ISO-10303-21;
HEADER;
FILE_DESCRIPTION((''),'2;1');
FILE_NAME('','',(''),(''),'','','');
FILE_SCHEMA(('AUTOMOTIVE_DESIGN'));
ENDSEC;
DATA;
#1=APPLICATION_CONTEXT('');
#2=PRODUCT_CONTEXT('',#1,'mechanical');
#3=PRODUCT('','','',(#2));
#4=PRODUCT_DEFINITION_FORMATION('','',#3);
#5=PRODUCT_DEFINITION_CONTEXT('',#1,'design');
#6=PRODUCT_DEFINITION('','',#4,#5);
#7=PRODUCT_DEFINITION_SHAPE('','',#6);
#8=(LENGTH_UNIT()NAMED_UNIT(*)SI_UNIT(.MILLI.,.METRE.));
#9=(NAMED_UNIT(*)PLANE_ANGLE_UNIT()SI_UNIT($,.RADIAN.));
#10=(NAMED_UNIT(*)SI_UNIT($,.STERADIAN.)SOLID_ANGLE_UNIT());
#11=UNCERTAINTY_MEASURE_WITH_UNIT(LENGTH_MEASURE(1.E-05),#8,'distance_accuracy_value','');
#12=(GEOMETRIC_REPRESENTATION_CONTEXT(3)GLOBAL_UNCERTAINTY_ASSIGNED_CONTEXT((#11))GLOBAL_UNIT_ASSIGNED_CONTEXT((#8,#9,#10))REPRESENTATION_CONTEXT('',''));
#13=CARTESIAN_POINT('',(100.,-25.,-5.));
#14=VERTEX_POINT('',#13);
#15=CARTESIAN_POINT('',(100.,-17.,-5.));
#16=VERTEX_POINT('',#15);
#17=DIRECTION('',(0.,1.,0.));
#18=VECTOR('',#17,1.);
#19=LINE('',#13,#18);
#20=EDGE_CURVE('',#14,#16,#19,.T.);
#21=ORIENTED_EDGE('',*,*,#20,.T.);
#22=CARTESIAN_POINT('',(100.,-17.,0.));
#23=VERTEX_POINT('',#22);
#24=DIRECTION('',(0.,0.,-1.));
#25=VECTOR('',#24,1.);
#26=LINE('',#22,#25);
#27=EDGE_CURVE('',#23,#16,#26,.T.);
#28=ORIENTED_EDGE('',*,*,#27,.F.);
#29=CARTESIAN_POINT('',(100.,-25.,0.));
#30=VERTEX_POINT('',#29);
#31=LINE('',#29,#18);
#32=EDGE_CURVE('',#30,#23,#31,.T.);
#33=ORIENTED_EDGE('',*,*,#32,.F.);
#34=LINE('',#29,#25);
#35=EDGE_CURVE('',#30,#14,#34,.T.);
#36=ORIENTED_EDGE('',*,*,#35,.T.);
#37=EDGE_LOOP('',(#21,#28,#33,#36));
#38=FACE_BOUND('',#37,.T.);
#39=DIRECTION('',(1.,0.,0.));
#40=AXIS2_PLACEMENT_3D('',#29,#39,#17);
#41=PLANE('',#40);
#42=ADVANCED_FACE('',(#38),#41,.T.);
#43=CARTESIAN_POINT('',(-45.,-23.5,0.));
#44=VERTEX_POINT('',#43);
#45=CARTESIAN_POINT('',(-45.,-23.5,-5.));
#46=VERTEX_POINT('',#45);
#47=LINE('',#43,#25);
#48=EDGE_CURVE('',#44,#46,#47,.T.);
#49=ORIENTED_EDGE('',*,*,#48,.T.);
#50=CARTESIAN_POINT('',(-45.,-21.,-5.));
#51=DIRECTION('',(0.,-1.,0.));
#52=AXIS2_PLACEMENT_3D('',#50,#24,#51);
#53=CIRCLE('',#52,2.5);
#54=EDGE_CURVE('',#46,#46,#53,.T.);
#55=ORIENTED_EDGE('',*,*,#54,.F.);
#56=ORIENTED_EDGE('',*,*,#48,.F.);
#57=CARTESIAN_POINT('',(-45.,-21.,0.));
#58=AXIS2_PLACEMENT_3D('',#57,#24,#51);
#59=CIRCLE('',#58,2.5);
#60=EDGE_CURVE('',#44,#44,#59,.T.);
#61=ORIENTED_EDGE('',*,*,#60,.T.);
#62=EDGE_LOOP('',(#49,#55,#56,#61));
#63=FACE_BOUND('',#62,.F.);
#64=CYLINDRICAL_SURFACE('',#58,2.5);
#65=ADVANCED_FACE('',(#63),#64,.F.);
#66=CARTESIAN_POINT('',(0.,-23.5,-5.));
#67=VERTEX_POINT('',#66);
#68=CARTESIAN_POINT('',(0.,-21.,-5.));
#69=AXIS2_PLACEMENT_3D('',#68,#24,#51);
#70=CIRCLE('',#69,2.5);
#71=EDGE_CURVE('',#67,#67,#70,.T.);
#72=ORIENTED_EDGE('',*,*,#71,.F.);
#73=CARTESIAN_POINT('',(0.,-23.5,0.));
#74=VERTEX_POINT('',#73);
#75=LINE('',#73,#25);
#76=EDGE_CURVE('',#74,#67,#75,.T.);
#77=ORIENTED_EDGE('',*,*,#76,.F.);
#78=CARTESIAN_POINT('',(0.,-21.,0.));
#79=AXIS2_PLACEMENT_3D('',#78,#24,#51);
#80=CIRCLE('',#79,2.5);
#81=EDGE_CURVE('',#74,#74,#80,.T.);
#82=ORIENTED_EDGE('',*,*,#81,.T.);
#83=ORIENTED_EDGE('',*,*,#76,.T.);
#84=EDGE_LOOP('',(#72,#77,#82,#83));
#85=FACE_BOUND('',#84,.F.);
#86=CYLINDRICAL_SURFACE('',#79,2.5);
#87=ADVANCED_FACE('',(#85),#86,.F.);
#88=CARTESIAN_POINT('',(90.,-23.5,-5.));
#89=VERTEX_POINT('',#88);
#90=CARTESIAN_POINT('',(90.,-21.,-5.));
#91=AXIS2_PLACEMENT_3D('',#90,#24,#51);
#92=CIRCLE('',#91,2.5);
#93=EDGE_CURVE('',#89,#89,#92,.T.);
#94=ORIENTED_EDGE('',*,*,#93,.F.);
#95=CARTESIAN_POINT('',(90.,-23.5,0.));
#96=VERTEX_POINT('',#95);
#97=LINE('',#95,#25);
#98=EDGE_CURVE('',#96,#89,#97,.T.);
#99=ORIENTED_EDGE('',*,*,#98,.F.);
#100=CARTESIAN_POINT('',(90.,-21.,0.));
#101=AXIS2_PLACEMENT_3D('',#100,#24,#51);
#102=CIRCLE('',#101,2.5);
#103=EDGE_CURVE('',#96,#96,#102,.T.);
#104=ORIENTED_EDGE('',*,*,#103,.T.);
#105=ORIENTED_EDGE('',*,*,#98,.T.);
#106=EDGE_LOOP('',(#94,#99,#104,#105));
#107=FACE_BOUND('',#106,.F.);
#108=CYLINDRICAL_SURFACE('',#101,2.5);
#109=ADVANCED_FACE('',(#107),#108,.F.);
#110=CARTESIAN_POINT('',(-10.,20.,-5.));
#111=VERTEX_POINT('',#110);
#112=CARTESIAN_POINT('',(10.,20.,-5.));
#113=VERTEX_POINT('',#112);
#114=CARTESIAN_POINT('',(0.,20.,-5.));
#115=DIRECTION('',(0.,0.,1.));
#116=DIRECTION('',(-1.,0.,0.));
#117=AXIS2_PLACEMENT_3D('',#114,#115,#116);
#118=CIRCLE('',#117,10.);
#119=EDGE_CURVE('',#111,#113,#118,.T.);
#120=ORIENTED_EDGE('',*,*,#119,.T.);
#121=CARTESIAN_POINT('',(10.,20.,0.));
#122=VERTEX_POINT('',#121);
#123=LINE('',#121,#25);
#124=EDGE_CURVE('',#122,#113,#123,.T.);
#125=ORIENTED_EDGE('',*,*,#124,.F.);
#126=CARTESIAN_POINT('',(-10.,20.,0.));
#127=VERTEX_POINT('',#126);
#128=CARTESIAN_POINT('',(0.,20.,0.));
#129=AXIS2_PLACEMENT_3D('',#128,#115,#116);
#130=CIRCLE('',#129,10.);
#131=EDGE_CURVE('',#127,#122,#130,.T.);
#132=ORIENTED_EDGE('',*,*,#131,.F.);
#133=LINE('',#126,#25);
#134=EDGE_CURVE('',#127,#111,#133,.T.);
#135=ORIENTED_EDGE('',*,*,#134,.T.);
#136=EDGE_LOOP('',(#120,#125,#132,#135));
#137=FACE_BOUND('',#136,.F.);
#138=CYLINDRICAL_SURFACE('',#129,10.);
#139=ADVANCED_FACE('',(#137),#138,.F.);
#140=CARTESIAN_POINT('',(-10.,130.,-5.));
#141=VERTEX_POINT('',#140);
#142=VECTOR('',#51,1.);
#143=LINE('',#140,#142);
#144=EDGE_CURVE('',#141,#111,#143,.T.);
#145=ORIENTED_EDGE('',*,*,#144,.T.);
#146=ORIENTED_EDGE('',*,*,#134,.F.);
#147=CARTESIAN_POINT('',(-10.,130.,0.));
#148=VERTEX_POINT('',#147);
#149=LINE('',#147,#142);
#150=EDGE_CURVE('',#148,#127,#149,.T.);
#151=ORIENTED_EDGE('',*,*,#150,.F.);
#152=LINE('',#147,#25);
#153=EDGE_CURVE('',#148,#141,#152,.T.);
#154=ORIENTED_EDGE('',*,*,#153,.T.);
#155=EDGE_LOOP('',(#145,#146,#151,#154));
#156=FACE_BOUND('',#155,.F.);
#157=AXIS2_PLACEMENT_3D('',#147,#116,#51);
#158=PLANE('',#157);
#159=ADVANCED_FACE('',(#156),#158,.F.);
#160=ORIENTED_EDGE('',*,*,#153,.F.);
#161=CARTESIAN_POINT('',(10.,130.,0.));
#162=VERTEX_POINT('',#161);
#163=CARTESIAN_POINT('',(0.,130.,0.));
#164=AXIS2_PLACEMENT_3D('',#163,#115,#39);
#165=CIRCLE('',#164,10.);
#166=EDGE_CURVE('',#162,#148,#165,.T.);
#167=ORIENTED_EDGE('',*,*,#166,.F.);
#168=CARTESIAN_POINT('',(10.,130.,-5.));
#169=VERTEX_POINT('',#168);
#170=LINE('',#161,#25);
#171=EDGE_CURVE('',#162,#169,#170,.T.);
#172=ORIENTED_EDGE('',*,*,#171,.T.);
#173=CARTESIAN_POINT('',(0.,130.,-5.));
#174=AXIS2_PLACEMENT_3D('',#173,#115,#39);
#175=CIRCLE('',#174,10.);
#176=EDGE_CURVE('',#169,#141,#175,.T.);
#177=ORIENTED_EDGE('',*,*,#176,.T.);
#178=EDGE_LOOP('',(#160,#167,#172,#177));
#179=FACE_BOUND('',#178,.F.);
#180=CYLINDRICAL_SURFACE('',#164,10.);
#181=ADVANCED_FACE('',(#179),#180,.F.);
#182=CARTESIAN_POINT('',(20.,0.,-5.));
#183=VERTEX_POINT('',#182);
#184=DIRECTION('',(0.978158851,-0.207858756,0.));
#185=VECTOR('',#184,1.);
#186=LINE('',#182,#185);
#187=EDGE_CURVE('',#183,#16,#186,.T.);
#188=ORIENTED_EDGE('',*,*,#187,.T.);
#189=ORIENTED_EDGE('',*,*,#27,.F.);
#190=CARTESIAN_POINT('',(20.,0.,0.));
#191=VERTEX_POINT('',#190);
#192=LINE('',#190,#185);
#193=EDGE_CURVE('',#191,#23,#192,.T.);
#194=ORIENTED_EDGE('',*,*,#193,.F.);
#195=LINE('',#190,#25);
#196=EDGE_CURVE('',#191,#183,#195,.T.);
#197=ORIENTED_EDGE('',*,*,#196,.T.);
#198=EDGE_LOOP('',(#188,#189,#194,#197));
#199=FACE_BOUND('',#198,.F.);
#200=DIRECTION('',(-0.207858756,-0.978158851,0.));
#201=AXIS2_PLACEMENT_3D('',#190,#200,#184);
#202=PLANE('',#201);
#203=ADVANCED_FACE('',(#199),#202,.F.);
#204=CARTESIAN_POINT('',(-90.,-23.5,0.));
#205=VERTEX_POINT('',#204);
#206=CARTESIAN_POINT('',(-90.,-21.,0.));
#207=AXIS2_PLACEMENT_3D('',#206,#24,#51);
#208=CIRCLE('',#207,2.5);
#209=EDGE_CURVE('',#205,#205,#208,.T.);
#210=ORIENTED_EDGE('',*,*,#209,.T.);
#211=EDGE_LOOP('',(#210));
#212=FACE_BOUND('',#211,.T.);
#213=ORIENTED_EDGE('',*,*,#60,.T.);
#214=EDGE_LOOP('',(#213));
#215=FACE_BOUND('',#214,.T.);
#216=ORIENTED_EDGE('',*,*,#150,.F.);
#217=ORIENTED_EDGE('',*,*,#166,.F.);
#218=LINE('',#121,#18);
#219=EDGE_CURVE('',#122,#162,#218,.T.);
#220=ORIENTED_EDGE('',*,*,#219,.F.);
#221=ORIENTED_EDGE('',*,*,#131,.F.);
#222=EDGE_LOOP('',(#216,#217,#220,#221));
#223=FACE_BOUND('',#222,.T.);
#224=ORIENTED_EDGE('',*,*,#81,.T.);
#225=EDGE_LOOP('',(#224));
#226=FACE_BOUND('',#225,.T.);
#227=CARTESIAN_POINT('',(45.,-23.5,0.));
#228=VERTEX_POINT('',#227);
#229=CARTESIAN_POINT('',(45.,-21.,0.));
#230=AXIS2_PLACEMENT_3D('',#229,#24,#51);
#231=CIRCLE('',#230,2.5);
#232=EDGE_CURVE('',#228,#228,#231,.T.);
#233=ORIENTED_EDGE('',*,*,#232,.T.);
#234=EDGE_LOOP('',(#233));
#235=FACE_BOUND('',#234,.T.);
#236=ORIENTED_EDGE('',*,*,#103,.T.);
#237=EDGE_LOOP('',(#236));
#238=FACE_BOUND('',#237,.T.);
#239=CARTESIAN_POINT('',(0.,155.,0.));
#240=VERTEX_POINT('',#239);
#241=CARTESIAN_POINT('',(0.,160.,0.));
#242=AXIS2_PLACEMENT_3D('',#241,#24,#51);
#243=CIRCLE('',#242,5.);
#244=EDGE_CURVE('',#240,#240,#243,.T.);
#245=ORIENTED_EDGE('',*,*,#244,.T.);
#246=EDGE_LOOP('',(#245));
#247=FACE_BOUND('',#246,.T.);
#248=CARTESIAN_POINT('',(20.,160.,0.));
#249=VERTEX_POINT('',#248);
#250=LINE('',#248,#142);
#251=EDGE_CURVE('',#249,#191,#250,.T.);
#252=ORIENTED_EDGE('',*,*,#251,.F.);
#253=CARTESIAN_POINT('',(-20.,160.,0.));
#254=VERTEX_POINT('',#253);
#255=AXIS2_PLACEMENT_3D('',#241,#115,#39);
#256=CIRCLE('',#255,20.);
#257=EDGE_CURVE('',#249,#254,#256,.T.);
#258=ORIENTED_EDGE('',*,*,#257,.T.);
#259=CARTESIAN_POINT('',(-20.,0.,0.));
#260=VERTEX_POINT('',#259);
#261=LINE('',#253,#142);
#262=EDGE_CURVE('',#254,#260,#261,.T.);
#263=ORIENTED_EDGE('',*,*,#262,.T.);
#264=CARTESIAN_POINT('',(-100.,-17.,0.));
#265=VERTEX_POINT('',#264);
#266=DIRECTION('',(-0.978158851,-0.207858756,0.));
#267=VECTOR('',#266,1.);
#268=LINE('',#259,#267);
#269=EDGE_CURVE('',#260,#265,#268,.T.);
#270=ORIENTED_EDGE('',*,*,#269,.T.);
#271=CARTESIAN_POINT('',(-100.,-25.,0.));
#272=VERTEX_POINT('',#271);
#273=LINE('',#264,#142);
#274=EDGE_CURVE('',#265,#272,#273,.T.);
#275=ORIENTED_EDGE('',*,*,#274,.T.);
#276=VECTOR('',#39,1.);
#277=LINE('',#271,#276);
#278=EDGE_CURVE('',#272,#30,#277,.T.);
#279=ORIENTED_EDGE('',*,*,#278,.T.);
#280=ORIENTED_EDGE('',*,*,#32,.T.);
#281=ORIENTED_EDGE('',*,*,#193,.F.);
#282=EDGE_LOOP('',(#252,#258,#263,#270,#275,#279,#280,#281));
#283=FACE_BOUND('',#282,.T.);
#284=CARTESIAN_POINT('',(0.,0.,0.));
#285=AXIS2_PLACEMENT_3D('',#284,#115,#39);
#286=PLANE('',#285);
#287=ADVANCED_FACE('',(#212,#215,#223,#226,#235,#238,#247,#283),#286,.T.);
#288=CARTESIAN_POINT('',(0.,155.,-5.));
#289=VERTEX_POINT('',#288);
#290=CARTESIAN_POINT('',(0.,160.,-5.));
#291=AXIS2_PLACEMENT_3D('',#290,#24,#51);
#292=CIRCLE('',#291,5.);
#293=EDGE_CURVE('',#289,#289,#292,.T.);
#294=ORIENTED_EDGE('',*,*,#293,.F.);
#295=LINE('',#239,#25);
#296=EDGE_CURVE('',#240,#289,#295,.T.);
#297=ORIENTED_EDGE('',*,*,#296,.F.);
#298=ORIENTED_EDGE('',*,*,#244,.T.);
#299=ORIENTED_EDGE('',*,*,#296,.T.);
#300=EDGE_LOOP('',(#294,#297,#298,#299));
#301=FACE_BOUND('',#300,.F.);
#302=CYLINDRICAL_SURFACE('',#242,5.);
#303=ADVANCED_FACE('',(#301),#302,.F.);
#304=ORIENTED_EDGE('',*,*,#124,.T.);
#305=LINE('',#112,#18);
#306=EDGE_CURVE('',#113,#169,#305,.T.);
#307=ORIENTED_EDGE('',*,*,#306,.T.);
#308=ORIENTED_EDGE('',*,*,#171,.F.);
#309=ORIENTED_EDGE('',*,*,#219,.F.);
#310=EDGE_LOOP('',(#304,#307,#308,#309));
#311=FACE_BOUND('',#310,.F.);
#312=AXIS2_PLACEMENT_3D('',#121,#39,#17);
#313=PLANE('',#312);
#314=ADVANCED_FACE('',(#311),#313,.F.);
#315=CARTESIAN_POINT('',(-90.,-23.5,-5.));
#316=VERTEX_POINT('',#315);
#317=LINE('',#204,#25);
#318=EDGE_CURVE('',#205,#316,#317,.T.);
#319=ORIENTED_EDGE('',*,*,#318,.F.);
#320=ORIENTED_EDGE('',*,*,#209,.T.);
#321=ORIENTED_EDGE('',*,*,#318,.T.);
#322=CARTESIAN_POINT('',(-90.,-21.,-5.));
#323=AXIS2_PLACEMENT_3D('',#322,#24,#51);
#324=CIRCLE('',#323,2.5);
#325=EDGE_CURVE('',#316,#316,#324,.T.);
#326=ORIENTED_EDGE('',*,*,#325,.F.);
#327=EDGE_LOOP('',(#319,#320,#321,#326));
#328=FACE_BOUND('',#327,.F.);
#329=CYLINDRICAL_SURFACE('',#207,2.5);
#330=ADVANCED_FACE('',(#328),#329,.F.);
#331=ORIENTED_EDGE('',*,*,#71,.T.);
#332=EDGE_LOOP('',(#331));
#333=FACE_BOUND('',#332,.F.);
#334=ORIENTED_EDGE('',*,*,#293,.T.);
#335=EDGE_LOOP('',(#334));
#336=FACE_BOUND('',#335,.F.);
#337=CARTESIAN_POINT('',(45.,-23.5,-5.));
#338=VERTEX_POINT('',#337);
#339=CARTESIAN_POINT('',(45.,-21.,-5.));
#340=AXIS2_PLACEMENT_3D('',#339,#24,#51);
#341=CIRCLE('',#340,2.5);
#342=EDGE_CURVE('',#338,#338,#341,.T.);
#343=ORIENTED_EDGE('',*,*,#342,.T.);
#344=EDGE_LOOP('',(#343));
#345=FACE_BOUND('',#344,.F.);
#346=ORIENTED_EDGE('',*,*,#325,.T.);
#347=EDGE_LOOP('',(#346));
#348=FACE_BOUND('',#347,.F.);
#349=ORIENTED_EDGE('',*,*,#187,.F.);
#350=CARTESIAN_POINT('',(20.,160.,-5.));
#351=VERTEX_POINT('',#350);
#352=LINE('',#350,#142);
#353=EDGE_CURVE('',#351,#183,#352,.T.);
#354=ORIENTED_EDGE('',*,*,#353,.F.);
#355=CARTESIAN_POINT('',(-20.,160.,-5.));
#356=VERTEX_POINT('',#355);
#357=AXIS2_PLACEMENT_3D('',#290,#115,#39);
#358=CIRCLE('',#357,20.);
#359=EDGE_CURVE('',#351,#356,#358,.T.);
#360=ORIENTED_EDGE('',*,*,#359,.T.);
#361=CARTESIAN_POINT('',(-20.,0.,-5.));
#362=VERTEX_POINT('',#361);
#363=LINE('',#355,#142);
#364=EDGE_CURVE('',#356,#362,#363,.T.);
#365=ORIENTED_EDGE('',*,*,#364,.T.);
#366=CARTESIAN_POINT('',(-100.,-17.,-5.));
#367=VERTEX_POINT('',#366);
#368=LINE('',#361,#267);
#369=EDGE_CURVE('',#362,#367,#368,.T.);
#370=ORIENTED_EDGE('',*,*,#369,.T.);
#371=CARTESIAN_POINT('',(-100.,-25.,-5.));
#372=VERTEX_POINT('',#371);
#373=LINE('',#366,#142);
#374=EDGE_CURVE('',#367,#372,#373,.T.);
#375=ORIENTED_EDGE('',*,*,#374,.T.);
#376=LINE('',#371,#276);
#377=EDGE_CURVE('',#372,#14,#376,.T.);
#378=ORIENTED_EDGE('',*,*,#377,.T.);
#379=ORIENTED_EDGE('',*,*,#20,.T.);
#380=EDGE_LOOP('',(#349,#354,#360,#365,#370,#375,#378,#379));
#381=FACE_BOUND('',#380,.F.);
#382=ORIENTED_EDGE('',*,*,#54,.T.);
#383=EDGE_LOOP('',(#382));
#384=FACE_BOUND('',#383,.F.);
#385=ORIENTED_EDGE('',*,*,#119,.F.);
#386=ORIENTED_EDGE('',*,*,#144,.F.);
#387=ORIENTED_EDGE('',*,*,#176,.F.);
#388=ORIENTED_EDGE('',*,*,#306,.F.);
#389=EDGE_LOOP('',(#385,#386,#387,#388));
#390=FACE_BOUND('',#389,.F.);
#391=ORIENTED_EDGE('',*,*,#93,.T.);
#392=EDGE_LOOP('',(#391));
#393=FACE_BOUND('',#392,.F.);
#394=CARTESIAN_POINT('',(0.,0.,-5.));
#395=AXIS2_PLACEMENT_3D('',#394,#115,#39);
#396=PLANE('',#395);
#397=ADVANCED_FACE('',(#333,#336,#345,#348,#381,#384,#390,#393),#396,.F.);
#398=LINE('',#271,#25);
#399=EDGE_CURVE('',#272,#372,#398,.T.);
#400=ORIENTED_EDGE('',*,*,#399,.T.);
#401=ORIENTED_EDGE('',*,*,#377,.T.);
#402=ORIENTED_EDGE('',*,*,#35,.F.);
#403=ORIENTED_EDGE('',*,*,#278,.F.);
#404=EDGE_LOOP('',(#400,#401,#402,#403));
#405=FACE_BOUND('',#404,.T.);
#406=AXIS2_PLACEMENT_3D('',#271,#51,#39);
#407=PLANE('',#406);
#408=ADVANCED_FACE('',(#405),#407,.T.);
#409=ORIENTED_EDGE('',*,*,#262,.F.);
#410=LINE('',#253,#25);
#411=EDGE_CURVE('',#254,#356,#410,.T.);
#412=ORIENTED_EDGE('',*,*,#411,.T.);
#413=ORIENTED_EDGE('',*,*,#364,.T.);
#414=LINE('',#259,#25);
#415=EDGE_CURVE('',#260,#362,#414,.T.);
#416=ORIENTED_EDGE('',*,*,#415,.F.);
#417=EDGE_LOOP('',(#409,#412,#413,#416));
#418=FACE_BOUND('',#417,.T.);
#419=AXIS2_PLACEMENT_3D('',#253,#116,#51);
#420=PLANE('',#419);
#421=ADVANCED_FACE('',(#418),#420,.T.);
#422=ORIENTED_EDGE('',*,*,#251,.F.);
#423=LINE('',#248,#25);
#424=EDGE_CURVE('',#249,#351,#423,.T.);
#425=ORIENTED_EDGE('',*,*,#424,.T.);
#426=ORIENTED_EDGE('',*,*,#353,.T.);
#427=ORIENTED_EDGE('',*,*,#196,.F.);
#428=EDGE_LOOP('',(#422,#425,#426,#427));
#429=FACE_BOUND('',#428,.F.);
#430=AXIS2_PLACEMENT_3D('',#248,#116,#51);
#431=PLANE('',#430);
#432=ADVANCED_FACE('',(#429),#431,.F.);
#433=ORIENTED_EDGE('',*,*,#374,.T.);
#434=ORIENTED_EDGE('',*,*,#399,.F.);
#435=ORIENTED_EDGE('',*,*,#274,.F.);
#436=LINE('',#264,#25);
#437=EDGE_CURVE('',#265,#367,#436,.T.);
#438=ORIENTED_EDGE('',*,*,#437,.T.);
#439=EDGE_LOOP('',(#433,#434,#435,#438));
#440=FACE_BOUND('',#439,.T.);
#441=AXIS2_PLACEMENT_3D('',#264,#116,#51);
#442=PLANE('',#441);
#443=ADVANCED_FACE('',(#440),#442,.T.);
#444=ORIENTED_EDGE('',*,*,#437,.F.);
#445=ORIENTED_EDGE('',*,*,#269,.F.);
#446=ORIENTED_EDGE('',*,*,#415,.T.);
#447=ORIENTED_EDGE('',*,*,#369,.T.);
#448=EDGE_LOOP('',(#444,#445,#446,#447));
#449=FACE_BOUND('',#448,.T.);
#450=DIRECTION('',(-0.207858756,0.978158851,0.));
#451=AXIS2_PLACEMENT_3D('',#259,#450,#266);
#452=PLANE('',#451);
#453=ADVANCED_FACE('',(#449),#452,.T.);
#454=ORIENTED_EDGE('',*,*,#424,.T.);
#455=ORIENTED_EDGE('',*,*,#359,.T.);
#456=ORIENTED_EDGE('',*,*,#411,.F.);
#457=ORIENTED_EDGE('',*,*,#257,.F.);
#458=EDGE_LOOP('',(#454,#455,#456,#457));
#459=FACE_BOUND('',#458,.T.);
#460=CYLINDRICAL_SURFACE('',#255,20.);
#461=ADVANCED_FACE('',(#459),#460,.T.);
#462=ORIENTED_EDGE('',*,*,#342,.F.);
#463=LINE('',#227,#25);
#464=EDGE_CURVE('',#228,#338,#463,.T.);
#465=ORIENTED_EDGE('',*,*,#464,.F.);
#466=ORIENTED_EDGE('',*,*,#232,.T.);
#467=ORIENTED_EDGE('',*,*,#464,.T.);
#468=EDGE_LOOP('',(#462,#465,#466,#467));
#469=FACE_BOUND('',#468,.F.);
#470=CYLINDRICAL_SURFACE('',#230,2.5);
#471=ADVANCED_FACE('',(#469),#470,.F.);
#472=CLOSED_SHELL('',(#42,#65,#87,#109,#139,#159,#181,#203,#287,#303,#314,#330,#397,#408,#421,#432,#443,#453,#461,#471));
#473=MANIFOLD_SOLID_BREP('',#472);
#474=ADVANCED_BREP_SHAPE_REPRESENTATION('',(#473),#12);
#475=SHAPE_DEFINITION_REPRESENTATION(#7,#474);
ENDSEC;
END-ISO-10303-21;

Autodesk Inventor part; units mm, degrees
ref_plane "YZ Plane" through (0, 0, 0) normal (1, 0, 0) x (0, 1, 0)
ref_plane "XZ Plane" through (0, 0, 0) normal (0, 1, 0) x (-1, 0, 0)
ref_plane "XY Plane" through (0, 0, 0) normal (0, 0, 1) x (1, 0, 0)
sketch "Sketch1" plane through (0, 0, 0) normal (0, 0, 1) x (1, 0, 0)
  line L0 (0, 0) -> (0, 91.5348) construction
  line L1 (-93.5855, 0) -> (93.5855, 0) construction
  arc A0 (20, 160) -> (-20, 160) centre (0, 160) ccw
  line L2 (-20, 160) -> (-20, 0)
  line L3 (-20, 0) -> (-100, -17)
  line L4 (-100, -17) -> (-100, -25)
  line L5 (-100, -25) -> (100, -25)
  line L6 (100, -25) -> (100, -17)
  line L7 (20, 160) -> (20, 0)
  line L8 (20, 0) -> (100, -17)
  dimension "d0" = 20
  dimension "d1" = 185
  dimension "d2" = 8
  dimension "d3" = 25
  dimension "d4" = 200
extrude "Extrusion1" add sketch "Sketch1" against normal blind 5
sketch "Sketch2" plane through (0, 0, 0) normal (0, 0, 1) x (1, 0, 0)
  line L0 (0, 20) -> (0, 130) construction
  line L1 (10, 20) -> (10, 130)
  line L2 (-10, 130) -> (-10, 20)
  arc A0 (-10, 20) -> (10, 20) centre (0, 20) ccw
  arc A1 (10, 130) -> (-10, 130) centre (0, 130) ccw
  arc A2 (20, 160) -> (-20, 160) centre (0, 160) ccw projected
  point P0 (0, 0)
  point P1 (0, 75)
  point P2 (0, 10)
  dimension "d7" = 30
  dimension "d8" = 10
  dimension "d9" = 110
extrude "Extrusion2" cut sketch "Sketch2" against normal up to surface (5 mm away)
sketch "Sketch3" plane through (0, 0, 0) normal (0, 0, 1) x (1, 0, 0)
  line L0 (-100, -25) -> (100, -25) projected
  point P0 (0, 0)
  point P1 (-90, -21)
  point P2 (-45, -21)
  point P3 (0, -21)
  point P4 (45, -21)
  point P5 (90, -21)
  dimension "d12" = 45
  dimension "d13" = 45
  dimension "d14" = 45
  dimension "d15" = 45
  dimension "d16" = 4
hole "Hole1" at (-90, -21, 0) at (-45, -21, 0) at (0, -21, 0) at (45, -21, 0) at (90, -21, 0) direction (0, 0, -1) diameter 5 depth 5
sketch "Sketch4" plane through (0, 0, 0) normal (0, 0, 1) x (1, 0, 0)
  arc A0 (20, 160) -> (-20, 160) centre (0, 160) ccw projected
  point P0 (0, 0)
hole "Hole2" at (0, 160, 0) direction (0, 0, -1) diameter 10 depth 5
equation "\"d13\" = d12"
equation "\"d14\" = d12"
equation "\"d15\" = d12"
properties part number "03A"
